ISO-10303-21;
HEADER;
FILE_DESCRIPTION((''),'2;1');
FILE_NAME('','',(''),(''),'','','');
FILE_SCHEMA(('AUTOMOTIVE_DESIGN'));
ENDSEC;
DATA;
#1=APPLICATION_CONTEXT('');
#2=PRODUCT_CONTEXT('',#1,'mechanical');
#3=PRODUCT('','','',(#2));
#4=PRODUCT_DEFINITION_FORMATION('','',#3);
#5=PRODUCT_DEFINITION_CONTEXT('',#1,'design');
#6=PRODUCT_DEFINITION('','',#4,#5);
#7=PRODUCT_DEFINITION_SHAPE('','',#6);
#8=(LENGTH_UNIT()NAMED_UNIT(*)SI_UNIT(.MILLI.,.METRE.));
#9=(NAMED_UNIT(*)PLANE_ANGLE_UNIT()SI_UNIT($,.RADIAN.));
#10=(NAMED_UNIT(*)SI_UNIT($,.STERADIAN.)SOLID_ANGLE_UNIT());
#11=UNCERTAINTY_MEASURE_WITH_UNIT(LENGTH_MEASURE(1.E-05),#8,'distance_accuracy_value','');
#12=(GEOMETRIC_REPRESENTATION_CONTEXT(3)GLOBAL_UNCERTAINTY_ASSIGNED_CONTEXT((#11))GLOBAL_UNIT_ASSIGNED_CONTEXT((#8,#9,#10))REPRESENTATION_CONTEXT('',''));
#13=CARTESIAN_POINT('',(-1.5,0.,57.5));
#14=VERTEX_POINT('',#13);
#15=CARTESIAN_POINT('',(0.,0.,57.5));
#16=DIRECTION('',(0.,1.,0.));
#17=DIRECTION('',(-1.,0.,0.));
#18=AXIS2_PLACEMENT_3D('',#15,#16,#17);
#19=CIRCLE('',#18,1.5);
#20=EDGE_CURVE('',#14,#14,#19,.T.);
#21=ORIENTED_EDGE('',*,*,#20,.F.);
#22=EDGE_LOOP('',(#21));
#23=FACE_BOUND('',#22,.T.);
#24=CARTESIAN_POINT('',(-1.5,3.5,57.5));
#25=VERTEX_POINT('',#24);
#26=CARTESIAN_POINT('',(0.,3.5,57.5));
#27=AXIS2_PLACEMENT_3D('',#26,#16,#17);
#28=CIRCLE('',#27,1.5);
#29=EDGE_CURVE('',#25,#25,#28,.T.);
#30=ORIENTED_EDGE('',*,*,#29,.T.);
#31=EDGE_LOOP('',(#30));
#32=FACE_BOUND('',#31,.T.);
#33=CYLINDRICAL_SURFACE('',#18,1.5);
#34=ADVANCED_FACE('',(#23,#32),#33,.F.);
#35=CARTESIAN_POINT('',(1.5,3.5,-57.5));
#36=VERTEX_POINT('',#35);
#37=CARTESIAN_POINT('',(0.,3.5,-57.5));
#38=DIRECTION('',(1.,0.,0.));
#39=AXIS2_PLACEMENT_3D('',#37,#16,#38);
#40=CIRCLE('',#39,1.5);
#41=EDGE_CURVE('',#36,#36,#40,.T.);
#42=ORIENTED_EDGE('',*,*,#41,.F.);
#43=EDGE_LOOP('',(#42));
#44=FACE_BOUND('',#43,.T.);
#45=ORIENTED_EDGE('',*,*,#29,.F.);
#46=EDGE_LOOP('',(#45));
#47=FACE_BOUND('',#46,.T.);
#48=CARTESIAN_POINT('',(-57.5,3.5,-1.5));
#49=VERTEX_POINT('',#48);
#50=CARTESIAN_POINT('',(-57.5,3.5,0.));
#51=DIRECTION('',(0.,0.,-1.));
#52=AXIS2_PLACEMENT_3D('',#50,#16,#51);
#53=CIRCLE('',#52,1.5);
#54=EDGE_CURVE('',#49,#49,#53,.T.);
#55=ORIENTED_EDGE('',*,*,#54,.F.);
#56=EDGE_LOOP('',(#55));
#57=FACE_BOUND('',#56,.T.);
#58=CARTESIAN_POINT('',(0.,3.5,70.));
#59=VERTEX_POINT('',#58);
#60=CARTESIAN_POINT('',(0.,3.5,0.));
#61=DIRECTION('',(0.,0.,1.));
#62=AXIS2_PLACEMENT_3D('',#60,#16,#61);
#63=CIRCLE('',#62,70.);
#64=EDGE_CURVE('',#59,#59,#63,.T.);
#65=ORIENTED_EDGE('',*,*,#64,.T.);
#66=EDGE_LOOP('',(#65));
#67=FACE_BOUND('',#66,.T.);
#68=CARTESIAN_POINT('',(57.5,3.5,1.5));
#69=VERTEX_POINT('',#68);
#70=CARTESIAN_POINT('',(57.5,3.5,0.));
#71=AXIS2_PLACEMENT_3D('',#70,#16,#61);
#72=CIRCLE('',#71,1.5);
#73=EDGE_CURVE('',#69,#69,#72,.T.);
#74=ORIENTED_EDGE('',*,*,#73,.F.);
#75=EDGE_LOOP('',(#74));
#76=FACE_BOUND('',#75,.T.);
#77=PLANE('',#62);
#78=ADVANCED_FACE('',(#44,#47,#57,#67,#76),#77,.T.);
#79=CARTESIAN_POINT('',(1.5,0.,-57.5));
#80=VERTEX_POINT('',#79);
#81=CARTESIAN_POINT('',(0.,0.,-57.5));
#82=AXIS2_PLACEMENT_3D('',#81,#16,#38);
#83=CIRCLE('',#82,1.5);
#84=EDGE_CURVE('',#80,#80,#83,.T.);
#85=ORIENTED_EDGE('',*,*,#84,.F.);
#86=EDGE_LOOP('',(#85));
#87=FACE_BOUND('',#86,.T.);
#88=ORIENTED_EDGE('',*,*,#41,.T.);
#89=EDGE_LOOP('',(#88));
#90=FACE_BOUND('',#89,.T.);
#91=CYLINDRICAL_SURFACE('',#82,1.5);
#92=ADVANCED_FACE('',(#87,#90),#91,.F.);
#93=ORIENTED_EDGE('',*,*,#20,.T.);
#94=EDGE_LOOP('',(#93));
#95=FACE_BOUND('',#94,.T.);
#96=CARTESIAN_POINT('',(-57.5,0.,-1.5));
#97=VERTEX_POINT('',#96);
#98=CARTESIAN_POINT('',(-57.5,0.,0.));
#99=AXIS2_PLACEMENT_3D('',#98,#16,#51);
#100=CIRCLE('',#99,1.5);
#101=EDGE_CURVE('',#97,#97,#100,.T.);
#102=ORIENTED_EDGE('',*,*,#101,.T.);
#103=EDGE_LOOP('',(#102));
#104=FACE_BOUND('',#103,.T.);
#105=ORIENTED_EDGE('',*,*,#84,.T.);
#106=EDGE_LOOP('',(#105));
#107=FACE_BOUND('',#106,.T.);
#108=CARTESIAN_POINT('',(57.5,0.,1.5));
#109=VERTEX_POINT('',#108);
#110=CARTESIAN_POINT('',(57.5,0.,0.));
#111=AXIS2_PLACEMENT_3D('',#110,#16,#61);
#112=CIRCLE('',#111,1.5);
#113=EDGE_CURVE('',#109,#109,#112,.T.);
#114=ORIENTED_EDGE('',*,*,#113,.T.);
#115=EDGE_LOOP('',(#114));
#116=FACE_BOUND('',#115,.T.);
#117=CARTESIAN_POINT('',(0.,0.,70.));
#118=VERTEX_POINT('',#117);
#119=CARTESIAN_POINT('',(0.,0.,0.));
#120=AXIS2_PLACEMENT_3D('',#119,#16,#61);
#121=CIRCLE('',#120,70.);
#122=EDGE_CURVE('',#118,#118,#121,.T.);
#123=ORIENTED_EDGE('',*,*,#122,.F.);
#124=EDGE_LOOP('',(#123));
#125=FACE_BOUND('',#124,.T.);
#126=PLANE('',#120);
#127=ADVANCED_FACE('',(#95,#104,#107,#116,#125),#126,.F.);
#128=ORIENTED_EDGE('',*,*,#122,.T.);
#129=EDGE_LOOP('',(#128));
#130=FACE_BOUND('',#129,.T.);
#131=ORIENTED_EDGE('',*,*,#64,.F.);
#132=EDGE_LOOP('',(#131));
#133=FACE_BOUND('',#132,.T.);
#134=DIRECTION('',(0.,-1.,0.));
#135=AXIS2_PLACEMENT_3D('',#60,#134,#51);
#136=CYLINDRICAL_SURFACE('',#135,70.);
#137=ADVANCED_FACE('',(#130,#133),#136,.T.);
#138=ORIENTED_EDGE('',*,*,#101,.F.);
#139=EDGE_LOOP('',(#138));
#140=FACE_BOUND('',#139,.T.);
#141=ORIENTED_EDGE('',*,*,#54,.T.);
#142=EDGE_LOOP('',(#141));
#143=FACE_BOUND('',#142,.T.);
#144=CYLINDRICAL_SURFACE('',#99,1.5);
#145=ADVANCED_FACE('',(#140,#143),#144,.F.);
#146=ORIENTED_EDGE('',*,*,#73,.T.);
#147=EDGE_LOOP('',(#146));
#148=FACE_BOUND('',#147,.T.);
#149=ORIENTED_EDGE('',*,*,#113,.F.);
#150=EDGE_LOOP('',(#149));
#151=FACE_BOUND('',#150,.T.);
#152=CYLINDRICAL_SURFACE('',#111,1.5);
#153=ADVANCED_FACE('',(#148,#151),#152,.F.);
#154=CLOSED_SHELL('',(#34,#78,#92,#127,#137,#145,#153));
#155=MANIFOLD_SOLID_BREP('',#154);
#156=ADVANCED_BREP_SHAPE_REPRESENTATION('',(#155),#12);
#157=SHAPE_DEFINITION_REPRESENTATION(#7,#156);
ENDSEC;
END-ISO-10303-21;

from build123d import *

# Parameters (mm, degrees)
SKETCH1_R           = 70
BOSS_EXTRUDE1_DEPTH = 3.5
SKETCH2_R           = 1.5
CUT_EXTRUDE1_DEPTH  = 3.5
CIRPATTERN1_COUNT   = 4


with BuildPart() as part:
    # Sketch1 → Boss-Extrude1 (new body)
    with BuildSketch(Plane(origin=(0, 0, 0), x_dir=(1, 0, 0), z_dir=(0, 1, 0))):
        with Locations(Location((0, 0, 0), (0, 0, 270))):
            Circle(SKETCH1_R)
    extrude(amount=BOSS_EXTRUDE1_DEPTH)

    # Sketch2 → Cut-Extrude1 (cut)
    with BuildSketch(Plane(origin=(0, 3.5, 0), x_dir=(1, 0, 0), z_dir=(0, 1, 0))):
        with Locations(Location((57.5, 0, 0), (0, 0, 270))):
            Circle(SKETCH2_R)
    cut_extrude1 = extrude(amount=-CUT_EXTRUDE1_DEPTH, mode=Mode.SUBTRACT)

    # CirPattern1: Cut-Extrude1 ×4 about axis
    cirpattern1_axis = Axis((0, 0, 0), (0, 1, 0))
    for i in range(1, CIRPATTERN1_COUNT):
        add(cut_extrude1.rotate(cirpattern1_axis, i * 360 / CIRPATTERN1_COUNT), mode=Mode.SUBTRACT)


solid = part.part
